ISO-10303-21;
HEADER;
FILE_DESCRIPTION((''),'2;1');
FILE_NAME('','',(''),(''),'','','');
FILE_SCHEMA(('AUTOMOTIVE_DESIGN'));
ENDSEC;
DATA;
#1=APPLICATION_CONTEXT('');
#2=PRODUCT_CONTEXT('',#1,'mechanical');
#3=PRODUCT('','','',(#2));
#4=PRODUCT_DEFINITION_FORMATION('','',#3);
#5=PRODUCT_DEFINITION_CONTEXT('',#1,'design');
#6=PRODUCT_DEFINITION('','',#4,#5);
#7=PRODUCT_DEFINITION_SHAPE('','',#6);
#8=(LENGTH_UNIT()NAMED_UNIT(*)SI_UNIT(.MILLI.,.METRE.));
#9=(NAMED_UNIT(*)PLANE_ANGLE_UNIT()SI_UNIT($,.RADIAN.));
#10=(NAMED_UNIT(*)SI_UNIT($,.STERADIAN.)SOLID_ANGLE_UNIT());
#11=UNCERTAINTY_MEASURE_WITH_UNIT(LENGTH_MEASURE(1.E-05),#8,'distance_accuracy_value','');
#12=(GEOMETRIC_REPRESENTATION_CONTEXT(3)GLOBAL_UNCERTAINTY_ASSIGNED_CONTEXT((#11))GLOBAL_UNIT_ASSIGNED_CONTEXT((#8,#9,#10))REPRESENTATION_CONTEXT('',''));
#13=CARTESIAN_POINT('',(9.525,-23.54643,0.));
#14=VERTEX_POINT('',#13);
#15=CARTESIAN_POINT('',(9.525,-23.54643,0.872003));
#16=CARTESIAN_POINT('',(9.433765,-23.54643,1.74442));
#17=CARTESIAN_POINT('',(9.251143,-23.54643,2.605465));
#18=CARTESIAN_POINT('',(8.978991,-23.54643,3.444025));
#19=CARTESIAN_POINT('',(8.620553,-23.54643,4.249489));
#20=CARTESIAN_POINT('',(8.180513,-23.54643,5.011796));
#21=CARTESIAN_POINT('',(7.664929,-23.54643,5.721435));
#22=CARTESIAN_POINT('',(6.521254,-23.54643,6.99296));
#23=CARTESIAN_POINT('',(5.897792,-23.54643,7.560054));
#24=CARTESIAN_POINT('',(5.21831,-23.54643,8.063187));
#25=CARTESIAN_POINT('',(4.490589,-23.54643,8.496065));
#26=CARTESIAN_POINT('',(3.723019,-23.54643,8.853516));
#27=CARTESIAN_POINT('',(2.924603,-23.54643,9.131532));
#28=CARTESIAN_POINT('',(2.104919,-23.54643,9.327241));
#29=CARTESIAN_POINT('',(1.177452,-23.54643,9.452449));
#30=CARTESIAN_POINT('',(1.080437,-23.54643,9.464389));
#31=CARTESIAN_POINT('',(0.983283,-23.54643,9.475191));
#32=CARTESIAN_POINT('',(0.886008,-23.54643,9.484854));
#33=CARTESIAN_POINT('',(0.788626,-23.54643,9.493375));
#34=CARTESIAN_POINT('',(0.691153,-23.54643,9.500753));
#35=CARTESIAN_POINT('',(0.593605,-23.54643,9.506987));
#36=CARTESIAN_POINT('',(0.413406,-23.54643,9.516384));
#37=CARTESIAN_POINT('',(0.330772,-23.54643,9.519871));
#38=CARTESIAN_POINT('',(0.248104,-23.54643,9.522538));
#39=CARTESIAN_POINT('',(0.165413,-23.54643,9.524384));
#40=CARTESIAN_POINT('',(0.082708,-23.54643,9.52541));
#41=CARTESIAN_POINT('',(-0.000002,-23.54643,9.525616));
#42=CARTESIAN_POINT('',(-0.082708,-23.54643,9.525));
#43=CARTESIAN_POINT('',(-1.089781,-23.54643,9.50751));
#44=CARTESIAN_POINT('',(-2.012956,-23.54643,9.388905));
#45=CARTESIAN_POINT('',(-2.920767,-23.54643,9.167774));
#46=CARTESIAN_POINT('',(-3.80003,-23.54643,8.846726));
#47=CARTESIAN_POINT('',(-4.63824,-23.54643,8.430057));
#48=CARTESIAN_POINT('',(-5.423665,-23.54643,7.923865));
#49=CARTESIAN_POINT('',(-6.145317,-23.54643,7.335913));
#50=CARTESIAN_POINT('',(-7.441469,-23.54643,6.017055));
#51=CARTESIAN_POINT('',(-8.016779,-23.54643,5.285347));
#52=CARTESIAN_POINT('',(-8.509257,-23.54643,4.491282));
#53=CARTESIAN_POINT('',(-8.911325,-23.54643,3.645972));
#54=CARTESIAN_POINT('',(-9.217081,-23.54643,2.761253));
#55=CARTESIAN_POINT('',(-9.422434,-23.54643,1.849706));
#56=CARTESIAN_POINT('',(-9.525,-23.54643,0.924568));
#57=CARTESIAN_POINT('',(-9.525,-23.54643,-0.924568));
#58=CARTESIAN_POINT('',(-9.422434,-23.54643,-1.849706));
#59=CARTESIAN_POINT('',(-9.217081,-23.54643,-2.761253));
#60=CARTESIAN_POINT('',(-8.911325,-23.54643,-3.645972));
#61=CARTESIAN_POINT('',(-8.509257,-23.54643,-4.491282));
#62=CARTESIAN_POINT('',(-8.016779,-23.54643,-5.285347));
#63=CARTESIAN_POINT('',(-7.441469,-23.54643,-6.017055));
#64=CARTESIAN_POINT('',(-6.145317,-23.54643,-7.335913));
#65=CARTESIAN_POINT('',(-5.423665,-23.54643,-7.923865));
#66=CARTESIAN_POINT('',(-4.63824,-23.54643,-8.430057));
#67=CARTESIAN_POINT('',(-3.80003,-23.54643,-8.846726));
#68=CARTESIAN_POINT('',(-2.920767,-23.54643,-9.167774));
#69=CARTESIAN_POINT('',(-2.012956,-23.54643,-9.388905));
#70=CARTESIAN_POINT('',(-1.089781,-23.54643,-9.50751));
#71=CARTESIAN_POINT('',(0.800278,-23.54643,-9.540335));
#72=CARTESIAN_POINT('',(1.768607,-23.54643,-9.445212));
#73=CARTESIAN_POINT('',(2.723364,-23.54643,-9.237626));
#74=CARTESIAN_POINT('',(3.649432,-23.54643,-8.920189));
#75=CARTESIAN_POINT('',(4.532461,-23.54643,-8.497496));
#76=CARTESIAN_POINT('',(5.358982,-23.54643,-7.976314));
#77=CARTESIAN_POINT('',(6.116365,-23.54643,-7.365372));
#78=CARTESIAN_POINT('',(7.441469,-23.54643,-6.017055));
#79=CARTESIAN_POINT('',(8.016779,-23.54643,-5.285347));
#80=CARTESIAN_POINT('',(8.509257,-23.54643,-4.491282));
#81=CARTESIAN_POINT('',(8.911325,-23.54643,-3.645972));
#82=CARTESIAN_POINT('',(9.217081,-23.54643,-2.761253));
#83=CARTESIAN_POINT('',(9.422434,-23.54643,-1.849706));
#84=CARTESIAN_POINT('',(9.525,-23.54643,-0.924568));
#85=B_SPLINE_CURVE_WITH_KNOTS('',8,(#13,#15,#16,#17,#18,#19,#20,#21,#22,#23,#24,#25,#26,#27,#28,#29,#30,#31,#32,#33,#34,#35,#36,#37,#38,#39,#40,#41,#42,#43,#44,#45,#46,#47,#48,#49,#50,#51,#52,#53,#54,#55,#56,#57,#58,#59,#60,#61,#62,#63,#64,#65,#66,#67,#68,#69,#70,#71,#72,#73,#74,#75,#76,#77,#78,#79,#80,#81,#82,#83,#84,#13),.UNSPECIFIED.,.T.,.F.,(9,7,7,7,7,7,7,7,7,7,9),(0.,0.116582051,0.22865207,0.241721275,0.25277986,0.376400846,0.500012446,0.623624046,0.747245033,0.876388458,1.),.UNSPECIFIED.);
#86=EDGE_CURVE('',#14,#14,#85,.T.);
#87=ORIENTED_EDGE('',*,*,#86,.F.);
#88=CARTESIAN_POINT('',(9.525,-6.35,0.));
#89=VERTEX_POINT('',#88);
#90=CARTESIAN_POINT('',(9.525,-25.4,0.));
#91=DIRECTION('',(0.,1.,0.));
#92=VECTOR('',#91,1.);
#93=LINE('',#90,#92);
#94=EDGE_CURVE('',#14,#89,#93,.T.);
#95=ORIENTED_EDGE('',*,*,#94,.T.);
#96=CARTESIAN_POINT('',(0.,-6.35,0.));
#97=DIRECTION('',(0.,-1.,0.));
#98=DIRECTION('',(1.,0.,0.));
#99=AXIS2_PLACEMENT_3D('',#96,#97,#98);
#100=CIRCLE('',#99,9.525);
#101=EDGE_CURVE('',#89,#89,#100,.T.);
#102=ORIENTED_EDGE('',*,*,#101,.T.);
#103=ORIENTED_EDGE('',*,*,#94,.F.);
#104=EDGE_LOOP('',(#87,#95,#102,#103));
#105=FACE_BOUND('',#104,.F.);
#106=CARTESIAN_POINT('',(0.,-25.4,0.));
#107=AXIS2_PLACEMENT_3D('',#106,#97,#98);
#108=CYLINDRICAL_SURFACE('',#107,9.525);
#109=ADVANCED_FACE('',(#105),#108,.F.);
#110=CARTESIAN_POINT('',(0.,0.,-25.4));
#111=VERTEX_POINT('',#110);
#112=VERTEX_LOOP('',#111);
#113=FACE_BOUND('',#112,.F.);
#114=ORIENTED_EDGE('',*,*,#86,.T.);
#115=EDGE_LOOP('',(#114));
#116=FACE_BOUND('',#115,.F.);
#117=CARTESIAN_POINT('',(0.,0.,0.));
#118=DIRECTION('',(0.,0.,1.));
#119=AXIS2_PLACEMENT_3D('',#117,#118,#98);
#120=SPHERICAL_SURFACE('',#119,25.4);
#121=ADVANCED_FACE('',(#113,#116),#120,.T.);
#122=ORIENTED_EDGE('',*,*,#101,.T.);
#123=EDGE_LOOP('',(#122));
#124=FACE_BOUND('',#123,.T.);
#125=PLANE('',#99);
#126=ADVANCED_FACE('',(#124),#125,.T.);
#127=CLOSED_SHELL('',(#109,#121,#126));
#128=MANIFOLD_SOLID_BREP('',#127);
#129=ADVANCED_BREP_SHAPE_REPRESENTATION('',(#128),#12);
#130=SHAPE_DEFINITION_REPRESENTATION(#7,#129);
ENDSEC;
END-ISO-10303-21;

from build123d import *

# Parameters (mm, degrees)
F3_R     = 9.525
F4_DEPTH = 19.05


with BuildPart() as f1:
    # F0 (on Front) → F1 (revolve)
    with BuildSketch(Plane.XZ):
        with BuildLine():
            Line((0, 25.4), (0, -25.4))
            ThreePointArc((0, -25.4), (25.4, 0), (0, 25.4))
        make_face()
    revolve(axis=Axis((0, 0, 0), (0, 0, -1)))

    # F3 (on offset) → F4 (cut)
    with BuildSketch(Plane.XZ.offset(25.4)):
        Circle(F3_R)
    extrude(amount=-F4_DEPTH, mode=Mode.SUBTRACT)


solid = f1.part
